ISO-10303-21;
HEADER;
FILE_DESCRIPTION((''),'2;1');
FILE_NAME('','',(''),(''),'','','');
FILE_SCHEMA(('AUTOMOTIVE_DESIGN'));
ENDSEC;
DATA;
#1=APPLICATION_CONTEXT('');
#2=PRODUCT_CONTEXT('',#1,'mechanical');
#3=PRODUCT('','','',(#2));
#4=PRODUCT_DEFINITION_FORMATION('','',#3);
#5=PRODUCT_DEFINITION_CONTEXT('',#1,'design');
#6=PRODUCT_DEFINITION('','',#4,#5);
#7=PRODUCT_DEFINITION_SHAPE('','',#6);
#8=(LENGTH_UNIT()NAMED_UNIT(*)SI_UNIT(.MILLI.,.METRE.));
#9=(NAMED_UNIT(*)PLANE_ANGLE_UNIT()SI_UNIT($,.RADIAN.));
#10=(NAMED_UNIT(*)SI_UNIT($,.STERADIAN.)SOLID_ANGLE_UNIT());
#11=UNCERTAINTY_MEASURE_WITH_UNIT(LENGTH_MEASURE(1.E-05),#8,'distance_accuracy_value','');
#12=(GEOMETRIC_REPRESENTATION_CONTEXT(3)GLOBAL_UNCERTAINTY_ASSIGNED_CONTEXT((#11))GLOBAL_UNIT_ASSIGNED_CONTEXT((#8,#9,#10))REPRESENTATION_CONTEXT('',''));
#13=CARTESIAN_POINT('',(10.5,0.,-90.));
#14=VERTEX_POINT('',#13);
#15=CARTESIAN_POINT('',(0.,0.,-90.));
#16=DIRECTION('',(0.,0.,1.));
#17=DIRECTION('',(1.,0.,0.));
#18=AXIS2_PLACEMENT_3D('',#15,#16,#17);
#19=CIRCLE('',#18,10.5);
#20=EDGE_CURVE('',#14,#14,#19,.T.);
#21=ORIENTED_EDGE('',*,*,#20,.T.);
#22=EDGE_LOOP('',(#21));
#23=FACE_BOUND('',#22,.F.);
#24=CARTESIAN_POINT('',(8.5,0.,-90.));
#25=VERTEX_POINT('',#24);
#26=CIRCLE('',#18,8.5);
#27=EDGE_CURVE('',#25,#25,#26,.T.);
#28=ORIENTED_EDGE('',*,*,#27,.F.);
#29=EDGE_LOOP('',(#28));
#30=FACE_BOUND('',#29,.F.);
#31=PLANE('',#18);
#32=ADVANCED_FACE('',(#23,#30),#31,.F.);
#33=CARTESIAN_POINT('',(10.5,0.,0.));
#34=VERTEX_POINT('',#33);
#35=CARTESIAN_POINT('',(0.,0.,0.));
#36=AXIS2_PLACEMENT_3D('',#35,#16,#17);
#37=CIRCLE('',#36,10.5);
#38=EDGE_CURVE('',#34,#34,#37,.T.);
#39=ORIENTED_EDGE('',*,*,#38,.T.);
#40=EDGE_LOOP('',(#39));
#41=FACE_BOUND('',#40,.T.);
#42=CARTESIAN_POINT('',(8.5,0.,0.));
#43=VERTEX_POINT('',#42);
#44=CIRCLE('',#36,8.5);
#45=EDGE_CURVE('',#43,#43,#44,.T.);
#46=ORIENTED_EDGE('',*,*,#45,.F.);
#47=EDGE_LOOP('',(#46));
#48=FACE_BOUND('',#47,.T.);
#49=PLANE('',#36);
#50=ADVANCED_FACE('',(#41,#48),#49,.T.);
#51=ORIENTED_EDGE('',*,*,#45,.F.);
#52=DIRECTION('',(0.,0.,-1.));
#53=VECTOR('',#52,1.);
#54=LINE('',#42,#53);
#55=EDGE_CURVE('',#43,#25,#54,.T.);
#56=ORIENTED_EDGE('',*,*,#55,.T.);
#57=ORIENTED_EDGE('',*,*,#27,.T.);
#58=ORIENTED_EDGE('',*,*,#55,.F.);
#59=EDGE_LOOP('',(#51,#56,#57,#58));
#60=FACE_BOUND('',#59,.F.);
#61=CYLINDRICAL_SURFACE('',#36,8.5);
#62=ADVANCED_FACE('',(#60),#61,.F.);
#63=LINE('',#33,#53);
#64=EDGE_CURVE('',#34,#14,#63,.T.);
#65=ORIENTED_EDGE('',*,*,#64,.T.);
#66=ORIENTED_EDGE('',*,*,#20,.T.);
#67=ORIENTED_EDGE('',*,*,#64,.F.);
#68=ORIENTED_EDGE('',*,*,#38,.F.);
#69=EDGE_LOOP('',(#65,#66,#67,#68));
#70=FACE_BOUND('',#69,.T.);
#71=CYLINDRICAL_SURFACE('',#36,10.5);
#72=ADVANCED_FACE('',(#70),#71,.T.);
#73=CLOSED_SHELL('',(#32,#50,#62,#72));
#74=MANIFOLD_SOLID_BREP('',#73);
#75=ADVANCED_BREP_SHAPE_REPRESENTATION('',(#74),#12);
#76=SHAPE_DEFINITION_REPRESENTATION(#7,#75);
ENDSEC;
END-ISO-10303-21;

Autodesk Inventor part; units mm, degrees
ref_plane "YZ Plane" through (0, 0, 0) normal (1, 0, 0) x (0, 1, 0)
ref_plane "XZ Plane" through (0, 0, 0) normal (0, 1, 0) x (-1, 0, 0)
ref_plane "XY Plane" through (0, 0, 0) normal (0, 0, 1) x (1, 0, 0)
sketch "Sketch11" plane through (0, 0, 0) normal (0, 0, 1) x (1, 0, 0)
  circle A0 centre (0, 0) radius 10.5
  circle A1 centre (0, 0) radius 8.5
  dimension "d187" = 21
  dimension "d188" = 2
extrude "Extrusion5" add sketch "Sketch11" against normal blind 90
properties part number "TZS 1756 FDS 940 way tube 6" material "Stainless Steel"
